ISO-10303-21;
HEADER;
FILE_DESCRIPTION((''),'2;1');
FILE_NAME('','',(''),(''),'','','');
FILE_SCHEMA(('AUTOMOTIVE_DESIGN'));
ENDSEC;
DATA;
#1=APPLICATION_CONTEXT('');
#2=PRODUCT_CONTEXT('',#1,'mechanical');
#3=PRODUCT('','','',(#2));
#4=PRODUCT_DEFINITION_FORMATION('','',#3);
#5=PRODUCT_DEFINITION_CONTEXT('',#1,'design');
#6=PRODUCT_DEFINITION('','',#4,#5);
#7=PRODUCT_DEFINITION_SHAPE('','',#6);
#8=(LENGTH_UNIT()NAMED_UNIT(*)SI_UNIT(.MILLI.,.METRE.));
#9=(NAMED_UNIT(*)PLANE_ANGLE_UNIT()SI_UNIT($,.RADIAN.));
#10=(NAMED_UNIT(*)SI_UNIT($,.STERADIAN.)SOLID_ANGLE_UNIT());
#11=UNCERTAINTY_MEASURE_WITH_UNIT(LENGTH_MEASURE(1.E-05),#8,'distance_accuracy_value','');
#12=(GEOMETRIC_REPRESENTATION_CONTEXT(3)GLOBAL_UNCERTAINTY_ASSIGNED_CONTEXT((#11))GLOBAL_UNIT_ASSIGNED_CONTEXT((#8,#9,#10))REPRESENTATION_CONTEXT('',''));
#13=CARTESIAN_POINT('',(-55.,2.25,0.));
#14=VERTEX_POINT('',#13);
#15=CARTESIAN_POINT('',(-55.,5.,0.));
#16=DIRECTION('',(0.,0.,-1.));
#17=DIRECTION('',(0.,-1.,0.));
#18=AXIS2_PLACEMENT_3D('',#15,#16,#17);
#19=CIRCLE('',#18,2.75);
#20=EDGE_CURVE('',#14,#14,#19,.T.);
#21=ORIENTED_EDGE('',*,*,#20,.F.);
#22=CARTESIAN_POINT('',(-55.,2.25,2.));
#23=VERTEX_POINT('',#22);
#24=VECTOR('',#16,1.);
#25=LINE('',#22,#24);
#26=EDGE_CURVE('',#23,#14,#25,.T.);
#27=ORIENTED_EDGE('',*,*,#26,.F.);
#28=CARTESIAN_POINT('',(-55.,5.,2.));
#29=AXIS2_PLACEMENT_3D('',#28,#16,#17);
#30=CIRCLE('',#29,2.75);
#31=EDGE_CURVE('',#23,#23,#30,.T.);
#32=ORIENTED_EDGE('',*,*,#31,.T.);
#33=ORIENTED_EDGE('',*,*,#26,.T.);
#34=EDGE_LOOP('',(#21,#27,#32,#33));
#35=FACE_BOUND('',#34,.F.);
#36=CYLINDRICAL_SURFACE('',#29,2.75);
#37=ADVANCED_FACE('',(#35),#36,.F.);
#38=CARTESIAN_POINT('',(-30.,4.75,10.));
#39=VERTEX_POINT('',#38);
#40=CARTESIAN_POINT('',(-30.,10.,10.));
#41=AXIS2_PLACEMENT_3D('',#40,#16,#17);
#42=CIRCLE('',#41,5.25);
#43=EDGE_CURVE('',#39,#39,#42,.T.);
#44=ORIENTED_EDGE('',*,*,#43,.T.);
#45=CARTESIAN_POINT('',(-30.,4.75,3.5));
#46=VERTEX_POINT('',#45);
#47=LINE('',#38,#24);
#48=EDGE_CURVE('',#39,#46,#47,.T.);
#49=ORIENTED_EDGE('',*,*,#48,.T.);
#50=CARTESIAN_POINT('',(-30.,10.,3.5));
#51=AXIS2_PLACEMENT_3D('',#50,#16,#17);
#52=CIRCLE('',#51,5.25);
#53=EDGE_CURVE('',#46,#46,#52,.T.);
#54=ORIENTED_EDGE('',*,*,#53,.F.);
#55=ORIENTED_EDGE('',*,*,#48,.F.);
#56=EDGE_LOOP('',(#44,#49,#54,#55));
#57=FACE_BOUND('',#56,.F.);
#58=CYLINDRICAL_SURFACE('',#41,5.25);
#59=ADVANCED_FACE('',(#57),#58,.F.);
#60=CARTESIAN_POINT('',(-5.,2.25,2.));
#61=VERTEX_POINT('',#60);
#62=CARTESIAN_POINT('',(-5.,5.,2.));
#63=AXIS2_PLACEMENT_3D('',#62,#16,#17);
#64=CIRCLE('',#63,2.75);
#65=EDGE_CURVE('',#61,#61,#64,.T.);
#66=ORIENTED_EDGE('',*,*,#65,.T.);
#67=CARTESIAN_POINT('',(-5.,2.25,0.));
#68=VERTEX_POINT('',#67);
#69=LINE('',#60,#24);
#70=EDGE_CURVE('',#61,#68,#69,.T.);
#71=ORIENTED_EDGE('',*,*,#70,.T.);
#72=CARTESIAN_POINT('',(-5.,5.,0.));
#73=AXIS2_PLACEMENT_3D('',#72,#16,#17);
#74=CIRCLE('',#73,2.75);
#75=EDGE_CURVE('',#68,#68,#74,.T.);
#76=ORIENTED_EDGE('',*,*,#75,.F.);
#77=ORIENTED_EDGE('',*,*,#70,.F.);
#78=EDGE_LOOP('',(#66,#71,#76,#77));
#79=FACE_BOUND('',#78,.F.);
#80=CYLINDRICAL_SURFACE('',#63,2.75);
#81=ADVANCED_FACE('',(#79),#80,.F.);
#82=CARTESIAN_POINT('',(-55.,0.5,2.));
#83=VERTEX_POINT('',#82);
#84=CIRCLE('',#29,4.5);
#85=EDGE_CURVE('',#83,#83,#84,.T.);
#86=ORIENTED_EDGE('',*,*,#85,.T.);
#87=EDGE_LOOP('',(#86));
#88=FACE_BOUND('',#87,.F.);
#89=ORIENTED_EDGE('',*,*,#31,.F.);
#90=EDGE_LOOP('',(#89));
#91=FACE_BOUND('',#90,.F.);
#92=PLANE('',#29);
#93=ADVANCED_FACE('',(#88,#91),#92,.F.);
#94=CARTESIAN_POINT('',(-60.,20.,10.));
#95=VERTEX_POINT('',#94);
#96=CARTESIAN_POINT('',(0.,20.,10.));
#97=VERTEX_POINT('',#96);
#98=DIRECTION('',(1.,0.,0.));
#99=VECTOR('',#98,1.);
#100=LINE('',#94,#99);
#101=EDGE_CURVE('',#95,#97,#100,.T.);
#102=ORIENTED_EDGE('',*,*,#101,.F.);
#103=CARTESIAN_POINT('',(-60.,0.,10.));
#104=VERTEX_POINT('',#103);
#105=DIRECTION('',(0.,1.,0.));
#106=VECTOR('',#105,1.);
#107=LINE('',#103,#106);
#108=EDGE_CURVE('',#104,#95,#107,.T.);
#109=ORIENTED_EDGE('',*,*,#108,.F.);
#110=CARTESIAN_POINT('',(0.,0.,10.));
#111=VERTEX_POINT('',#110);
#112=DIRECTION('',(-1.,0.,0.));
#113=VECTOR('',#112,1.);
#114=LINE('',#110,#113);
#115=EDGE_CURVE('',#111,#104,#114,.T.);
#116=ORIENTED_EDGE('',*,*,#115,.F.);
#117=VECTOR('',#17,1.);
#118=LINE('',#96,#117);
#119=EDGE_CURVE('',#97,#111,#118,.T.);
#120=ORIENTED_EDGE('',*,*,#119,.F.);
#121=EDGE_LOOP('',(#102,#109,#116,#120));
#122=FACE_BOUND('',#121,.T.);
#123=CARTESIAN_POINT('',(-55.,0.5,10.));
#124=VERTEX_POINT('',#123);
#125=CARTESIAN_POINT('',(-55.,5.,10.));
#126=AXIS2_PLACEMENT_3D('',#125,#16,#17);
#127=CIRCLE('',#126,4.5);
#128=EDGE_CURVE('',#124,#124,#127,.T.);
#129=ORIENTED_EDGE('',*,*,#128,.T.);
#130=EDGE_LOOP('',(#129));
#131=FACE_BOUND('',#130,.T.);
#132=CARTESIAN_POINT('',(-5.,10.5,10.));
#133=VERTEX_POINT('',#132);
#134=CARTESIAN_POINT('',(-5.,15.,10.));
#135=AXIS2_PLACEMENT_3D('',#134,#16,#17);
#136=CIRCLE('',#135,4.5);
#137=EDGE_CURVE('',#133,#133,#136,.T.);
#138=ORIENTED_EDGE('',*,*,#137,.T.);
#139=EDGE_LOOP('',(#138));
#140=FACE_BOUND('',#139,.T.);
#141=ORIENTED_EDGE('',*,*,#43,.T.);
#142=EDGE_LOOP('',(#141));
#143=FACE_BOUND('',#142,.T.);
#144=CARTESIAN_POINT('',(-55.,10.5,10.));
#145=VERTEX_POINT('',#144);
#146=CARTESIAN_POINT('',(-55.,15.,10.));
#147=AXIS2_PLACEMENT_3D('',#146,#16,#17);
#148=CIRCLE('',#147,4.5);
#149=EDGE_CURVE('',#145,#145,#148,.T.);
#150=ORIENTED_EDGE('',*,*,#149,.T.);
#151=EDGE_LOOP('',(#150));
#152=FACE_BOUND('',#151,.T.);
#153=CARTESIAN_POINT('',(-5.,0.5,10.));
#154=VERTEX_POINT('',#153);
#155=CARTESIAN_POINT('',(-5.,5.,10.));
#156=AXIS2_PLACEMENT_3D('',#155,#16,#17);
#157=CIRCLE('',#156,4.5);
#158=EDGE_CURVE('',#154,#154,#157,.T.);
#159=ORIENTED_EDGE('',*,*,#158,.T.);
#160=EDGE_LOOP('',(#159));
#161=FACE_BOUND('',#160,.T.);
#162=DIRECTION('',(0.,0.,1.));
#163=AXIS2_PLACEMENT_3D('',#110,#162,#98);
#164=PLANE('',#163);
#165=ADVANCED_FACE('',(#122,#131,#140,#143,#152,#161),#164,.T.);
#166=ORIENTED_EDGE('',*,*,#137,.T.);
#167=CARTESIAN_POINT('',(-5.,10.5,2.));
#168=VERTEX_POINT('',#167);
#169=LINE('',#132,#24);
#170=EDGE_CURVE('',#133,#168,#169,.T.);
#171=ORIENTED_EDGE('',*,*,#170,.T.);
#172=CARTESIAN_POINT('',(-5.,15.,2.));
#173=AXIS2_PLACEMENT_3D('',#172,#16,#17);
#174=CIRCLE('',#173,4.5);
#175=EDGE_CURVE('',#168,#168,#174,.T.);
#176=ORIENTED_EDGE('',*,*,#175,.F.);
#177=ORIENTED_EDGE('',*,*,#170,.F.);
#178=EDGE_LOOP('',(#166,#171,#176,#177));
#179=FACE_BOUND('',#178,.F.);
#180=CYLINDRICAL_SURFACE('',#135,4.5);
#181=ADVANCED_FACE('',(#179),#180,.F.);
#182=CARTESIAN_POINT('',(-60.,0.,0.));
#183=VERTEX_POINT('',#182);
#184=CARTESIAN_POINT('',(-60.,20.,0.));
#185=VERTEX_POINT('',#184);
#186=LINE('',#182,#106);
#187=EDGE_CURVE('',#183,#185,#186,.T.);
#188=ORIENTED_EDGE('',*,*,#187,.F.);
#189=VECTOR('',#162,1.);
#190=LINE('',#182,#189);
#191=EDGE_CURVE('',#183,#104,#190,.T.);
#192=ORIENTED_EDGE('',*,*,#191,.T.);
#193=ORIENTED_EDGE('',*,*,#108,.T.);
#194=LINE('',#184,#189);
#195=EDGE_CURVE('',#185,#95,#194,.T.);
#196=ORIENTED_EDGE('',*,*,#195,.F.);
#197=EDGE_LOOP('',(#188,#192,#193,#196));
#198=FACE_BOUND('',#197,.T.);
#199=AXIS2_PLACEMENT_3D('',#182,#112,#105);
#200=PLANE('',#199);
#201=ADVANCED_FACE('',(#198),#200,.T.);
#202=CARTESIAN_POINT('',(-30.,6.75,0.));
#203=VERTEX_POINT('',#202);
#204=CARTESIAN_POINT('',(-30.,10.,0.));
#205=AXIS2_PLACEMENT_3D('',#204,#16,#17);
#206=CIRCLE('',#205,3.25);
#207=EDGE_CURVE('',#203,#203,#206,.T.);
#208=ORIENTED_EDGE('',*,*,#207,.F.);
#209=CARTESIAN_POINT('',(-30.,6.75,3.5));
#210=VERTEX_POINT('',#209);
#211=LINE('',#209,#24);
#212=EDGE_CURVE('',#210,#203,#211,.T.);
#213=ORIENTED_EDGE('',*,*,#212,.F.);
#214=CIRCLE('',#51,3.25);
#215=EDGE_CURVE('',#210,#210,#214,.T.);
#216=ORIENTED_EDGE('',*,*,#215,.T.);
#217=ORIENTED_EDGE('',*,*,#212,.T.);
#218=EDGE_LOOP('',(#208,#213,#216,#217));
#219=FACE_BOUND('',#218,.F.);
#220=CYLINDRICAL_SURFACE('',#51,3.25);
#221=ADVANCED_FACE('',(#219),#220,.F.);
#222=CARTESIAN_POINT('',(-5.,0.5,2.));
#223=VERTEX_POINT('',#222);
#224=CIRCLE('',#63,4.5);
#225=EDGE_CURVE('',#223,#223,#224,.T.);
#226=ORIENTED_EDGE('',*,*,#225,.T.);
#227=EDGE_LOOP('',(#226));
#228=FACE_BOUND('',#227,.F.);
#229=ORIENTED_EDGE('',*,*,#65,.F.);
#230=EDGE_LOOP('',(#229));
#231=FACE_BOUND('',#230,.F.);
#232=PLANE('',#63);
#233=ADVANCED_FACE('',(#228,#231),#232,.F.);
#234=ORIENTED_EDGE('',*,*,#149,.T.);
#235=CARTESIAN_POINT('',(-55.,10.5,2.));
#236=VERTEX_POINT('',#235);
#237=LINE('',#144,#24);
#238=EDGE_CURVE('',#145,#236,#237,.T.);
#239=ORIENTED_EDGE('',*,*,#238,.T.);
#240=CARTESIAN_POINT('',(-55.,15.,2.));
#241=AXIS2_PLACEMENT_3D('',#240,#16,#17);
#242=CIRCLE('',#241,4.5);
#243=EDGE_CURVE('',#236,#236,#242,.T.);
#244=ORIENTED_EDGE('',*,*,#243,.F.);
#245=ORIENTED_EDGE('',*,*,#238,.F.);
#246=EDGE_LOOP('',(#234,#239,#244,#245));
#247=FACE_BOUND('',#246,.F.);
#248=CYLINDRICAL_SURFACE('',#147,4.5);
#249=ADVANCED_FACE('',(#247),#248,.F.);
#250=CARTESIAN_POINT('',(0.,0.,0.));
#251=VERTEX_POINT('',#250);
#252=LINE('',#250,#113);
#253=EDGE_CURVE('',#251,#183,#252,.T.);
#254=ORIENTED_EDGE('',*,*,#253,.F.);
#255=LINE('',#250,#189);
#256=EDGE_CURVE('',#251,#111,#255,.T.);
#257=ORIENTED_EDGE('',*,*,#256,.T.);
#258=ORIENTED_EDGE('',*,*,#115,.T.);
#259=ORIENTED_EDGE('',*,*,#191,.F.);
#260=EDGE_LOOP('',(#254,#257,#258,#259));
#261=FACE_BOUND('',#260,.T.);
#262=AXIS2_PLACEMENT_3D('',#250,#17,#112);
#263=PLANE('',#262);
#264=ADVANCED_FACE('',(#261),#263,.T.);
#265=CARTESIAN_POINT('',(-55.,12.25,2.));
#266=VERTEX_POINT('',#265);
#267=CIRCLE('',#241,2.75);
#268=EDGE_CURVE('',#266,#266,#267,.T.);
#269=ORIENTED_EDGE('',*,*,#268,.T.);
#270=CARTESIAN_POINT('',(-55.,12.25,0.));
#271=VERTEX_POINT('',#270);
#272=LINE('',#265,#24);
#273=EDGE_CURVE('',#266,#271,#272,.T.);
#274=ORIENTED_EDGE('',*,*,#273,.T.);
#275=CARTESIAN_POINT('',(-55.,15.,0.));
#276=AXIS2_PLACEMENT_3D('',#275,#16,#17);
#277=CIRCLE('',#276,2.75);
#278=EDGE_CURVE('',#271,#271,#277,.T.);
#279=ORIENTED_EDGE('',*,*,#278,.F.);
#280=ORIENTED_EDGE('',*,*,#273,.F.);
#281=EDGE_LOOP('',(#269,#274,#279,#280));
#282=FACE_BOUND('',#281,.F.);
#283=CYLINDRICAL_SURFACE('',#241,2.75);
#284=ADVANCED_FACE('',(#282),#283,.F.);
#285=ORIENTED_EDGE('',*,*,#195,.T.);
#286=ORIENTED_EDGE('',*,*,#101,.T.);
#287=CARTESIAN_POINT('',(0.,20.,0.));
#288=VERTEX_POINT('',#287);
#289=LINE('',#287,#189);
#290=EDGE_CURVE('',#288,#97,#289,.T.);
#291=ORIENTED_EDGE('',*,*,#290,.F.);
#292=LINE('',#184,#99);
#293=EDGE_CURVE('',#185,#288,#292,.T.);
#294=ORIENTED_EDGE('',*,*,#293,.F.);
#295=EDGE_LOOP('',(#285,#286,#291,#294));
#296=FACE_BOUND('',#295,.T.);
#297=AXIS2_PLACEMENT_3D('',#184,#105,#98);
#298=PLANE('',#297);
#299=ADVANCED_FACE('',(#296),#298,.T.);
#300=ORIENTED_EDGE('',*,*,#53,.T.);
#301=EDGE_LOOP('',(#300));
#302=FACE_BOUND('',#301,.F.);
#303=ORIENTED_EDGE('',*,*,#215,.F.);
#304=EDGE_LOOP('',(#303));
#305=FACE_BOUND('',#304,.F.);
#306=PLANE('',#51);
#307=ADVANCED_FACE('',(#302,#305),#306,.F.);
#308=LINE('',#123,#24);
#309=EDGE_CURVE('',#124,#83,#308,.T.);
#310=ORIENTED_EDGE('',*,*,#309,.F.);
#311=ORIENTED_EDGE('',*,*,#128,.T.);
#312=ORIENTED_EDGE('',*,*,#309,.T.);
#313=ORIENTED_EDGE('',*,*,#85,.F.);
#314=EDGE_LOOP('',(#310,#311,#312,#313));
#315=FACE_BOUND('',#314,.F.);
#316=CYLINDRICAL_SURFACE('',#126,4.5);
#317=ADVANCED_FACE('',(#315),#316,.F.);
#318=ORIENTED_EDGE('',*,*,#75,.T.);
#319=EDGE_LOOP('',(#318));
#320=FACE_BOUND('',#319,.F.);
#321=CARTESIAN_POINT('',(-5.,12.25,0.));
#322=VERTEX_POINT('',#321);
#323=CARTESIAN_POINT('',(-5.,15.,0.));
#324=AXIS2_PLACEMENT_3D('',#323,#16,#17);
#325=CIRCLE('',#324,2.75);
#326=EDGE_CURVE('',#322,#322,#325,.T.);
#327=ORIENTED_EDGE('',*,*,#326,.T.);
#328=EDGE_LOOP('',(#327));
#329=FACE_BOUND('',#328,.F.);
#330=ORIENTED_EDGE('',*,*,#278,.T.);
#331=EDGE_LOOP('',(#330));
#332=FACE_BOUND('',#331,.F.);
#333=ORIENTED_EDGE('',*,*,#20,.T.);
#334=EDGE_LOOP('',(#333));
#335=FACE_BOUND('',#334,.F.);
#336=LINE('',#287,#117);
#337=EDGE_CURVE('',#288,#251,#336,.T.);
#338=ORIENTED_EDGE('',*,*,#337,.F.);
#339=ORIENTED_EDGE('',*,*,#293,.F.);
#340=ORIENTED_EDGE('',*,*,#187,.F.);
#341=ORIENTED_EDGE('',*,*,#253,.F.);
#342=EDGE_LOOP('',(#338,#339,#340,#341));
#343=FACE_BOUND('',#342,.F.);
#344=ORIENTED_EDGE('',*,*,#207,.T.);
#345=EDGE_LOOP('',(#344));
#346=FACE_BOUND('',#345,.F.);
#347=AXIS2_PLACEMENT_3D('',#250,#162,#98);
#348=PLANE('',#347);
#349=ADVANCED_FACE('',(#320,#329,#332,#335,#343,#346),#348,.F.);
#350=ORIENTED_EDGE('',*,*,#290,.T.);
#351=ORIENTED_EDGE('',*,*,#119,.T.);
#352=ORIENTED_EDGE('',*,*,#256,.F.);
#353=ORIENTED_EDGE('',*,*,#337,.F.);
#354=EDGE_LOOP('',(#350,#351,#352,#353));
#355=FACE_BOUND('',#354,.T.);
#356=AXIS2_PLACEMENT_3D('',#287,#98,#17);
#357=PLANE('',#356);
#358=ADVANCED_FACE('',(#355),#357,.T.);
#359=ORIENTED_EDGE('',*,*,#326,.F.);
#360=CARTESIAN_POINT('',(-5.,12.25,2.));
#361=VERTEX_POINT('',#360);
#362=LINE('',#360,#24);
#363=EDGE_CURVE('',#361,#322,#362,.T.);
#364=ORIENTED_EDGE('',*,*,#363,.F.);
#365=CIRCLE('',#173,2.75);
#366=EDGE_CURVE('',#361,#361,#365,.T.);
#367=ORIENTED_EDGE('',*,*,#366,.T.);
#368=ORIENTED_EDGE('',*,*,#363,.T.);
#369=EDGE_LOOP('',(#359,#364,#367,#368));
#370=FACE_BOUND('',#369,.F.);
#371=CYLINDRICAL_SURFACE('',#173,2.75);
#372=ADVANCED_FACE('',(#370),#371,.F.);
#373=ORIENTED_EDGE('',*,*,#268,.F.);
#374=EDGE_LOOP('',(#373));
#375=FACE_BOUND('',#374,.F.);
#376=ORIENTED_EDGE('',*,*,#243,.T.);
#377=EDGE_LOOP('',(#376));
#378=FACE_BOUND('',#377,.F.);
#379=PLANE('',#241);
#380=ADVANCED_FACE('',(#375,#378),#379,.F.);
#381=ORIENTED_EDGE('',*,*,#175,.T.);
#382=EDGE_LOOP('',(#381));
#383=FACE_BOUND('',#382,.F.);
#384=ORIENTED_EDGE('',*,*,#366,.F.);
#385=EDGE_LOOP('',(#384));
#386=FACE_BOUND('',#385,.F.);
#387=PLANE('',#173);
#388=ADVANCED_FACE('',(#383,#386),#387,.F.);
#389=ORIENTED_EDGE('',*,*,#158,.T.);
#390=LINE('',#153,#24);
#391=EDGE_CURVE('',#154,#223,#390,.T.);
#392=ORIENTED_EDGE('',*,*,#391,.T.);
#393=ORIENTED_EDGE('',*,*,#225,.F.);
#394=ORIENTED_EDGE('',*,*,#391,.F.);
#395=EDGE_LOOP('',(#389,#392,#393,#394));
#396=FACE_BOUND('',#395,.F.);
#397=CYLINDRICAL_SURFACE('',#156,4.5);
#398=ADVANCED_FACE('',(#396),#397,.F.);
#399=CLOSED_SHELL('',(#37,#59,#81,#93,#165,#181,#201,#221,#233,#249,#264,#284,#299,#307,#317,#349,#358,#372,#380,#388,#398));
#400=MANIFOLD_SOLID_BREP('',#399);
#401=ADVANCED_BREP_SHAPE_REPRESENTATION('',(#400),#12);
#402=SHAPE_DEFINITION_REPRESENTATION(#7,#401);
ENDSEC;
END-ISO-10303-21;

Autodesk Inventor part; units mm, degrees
ref_plane "YZ Plane" through (0, 0, 0) normal (1, 0, 0) x (0, 1, 0)
ref_plane "XZ Plane" through (0, 0, 0) normal (0, 1, 0) x (-1, 0, 0)
ref_plane "XY Plane" through (0, 0, 0) normal (0, 0, 1) x (1, 0, 0)
sketch "Sketch4" plane through (0, 0, 0) normal (0, 0, 1) x (1, 0, 0)
  line L0 (0, 0) -> (-60, 0)
  line L1 (-60, 0) -> (-60, 20)
  line L2 (-60, 20) -> (0, 20)
  line L3 (0, 20) -> (0, 0)
  dimension "d37" = 60
  dimension "d38" = 20
extrude "Extrusion2" add sketch "Sketch4" along normal blind 10
hole "Hole2" at (-30, 10, 10) direction (0, 0, -1) diameter 6.5 depth 10 tip angle 118 counterbore diameter 10.5 counterbore depth 6.5
hole "Hole3" at (-55, 15, 10) direction (0, 0, -1) diameter 5.5 depth 10 tip angle 118 counterbore diameter 9 counterbore depth 8
hole "Hole4" at (-5, 15, 10) direction (0, 0, -1) diameter 5.5 depth 10 tip angle 118 counterbore diameter 9 counterbore depth 8
hole "Hole5" at (-5, 5, 10) direction (0, 0, -1) diameter 5.5 depth 10 tip angle 118 counterbore diameter 9 counterbore depth 8
hole "Hole6" at (-55, 5, 10) direction (0, 0, -1) diameter 5.5 depth 10 tip angle 118 counterbore diameter 9 counterbore depth 8
properties part number "GARFO" material "Aluminium AW-7020"
